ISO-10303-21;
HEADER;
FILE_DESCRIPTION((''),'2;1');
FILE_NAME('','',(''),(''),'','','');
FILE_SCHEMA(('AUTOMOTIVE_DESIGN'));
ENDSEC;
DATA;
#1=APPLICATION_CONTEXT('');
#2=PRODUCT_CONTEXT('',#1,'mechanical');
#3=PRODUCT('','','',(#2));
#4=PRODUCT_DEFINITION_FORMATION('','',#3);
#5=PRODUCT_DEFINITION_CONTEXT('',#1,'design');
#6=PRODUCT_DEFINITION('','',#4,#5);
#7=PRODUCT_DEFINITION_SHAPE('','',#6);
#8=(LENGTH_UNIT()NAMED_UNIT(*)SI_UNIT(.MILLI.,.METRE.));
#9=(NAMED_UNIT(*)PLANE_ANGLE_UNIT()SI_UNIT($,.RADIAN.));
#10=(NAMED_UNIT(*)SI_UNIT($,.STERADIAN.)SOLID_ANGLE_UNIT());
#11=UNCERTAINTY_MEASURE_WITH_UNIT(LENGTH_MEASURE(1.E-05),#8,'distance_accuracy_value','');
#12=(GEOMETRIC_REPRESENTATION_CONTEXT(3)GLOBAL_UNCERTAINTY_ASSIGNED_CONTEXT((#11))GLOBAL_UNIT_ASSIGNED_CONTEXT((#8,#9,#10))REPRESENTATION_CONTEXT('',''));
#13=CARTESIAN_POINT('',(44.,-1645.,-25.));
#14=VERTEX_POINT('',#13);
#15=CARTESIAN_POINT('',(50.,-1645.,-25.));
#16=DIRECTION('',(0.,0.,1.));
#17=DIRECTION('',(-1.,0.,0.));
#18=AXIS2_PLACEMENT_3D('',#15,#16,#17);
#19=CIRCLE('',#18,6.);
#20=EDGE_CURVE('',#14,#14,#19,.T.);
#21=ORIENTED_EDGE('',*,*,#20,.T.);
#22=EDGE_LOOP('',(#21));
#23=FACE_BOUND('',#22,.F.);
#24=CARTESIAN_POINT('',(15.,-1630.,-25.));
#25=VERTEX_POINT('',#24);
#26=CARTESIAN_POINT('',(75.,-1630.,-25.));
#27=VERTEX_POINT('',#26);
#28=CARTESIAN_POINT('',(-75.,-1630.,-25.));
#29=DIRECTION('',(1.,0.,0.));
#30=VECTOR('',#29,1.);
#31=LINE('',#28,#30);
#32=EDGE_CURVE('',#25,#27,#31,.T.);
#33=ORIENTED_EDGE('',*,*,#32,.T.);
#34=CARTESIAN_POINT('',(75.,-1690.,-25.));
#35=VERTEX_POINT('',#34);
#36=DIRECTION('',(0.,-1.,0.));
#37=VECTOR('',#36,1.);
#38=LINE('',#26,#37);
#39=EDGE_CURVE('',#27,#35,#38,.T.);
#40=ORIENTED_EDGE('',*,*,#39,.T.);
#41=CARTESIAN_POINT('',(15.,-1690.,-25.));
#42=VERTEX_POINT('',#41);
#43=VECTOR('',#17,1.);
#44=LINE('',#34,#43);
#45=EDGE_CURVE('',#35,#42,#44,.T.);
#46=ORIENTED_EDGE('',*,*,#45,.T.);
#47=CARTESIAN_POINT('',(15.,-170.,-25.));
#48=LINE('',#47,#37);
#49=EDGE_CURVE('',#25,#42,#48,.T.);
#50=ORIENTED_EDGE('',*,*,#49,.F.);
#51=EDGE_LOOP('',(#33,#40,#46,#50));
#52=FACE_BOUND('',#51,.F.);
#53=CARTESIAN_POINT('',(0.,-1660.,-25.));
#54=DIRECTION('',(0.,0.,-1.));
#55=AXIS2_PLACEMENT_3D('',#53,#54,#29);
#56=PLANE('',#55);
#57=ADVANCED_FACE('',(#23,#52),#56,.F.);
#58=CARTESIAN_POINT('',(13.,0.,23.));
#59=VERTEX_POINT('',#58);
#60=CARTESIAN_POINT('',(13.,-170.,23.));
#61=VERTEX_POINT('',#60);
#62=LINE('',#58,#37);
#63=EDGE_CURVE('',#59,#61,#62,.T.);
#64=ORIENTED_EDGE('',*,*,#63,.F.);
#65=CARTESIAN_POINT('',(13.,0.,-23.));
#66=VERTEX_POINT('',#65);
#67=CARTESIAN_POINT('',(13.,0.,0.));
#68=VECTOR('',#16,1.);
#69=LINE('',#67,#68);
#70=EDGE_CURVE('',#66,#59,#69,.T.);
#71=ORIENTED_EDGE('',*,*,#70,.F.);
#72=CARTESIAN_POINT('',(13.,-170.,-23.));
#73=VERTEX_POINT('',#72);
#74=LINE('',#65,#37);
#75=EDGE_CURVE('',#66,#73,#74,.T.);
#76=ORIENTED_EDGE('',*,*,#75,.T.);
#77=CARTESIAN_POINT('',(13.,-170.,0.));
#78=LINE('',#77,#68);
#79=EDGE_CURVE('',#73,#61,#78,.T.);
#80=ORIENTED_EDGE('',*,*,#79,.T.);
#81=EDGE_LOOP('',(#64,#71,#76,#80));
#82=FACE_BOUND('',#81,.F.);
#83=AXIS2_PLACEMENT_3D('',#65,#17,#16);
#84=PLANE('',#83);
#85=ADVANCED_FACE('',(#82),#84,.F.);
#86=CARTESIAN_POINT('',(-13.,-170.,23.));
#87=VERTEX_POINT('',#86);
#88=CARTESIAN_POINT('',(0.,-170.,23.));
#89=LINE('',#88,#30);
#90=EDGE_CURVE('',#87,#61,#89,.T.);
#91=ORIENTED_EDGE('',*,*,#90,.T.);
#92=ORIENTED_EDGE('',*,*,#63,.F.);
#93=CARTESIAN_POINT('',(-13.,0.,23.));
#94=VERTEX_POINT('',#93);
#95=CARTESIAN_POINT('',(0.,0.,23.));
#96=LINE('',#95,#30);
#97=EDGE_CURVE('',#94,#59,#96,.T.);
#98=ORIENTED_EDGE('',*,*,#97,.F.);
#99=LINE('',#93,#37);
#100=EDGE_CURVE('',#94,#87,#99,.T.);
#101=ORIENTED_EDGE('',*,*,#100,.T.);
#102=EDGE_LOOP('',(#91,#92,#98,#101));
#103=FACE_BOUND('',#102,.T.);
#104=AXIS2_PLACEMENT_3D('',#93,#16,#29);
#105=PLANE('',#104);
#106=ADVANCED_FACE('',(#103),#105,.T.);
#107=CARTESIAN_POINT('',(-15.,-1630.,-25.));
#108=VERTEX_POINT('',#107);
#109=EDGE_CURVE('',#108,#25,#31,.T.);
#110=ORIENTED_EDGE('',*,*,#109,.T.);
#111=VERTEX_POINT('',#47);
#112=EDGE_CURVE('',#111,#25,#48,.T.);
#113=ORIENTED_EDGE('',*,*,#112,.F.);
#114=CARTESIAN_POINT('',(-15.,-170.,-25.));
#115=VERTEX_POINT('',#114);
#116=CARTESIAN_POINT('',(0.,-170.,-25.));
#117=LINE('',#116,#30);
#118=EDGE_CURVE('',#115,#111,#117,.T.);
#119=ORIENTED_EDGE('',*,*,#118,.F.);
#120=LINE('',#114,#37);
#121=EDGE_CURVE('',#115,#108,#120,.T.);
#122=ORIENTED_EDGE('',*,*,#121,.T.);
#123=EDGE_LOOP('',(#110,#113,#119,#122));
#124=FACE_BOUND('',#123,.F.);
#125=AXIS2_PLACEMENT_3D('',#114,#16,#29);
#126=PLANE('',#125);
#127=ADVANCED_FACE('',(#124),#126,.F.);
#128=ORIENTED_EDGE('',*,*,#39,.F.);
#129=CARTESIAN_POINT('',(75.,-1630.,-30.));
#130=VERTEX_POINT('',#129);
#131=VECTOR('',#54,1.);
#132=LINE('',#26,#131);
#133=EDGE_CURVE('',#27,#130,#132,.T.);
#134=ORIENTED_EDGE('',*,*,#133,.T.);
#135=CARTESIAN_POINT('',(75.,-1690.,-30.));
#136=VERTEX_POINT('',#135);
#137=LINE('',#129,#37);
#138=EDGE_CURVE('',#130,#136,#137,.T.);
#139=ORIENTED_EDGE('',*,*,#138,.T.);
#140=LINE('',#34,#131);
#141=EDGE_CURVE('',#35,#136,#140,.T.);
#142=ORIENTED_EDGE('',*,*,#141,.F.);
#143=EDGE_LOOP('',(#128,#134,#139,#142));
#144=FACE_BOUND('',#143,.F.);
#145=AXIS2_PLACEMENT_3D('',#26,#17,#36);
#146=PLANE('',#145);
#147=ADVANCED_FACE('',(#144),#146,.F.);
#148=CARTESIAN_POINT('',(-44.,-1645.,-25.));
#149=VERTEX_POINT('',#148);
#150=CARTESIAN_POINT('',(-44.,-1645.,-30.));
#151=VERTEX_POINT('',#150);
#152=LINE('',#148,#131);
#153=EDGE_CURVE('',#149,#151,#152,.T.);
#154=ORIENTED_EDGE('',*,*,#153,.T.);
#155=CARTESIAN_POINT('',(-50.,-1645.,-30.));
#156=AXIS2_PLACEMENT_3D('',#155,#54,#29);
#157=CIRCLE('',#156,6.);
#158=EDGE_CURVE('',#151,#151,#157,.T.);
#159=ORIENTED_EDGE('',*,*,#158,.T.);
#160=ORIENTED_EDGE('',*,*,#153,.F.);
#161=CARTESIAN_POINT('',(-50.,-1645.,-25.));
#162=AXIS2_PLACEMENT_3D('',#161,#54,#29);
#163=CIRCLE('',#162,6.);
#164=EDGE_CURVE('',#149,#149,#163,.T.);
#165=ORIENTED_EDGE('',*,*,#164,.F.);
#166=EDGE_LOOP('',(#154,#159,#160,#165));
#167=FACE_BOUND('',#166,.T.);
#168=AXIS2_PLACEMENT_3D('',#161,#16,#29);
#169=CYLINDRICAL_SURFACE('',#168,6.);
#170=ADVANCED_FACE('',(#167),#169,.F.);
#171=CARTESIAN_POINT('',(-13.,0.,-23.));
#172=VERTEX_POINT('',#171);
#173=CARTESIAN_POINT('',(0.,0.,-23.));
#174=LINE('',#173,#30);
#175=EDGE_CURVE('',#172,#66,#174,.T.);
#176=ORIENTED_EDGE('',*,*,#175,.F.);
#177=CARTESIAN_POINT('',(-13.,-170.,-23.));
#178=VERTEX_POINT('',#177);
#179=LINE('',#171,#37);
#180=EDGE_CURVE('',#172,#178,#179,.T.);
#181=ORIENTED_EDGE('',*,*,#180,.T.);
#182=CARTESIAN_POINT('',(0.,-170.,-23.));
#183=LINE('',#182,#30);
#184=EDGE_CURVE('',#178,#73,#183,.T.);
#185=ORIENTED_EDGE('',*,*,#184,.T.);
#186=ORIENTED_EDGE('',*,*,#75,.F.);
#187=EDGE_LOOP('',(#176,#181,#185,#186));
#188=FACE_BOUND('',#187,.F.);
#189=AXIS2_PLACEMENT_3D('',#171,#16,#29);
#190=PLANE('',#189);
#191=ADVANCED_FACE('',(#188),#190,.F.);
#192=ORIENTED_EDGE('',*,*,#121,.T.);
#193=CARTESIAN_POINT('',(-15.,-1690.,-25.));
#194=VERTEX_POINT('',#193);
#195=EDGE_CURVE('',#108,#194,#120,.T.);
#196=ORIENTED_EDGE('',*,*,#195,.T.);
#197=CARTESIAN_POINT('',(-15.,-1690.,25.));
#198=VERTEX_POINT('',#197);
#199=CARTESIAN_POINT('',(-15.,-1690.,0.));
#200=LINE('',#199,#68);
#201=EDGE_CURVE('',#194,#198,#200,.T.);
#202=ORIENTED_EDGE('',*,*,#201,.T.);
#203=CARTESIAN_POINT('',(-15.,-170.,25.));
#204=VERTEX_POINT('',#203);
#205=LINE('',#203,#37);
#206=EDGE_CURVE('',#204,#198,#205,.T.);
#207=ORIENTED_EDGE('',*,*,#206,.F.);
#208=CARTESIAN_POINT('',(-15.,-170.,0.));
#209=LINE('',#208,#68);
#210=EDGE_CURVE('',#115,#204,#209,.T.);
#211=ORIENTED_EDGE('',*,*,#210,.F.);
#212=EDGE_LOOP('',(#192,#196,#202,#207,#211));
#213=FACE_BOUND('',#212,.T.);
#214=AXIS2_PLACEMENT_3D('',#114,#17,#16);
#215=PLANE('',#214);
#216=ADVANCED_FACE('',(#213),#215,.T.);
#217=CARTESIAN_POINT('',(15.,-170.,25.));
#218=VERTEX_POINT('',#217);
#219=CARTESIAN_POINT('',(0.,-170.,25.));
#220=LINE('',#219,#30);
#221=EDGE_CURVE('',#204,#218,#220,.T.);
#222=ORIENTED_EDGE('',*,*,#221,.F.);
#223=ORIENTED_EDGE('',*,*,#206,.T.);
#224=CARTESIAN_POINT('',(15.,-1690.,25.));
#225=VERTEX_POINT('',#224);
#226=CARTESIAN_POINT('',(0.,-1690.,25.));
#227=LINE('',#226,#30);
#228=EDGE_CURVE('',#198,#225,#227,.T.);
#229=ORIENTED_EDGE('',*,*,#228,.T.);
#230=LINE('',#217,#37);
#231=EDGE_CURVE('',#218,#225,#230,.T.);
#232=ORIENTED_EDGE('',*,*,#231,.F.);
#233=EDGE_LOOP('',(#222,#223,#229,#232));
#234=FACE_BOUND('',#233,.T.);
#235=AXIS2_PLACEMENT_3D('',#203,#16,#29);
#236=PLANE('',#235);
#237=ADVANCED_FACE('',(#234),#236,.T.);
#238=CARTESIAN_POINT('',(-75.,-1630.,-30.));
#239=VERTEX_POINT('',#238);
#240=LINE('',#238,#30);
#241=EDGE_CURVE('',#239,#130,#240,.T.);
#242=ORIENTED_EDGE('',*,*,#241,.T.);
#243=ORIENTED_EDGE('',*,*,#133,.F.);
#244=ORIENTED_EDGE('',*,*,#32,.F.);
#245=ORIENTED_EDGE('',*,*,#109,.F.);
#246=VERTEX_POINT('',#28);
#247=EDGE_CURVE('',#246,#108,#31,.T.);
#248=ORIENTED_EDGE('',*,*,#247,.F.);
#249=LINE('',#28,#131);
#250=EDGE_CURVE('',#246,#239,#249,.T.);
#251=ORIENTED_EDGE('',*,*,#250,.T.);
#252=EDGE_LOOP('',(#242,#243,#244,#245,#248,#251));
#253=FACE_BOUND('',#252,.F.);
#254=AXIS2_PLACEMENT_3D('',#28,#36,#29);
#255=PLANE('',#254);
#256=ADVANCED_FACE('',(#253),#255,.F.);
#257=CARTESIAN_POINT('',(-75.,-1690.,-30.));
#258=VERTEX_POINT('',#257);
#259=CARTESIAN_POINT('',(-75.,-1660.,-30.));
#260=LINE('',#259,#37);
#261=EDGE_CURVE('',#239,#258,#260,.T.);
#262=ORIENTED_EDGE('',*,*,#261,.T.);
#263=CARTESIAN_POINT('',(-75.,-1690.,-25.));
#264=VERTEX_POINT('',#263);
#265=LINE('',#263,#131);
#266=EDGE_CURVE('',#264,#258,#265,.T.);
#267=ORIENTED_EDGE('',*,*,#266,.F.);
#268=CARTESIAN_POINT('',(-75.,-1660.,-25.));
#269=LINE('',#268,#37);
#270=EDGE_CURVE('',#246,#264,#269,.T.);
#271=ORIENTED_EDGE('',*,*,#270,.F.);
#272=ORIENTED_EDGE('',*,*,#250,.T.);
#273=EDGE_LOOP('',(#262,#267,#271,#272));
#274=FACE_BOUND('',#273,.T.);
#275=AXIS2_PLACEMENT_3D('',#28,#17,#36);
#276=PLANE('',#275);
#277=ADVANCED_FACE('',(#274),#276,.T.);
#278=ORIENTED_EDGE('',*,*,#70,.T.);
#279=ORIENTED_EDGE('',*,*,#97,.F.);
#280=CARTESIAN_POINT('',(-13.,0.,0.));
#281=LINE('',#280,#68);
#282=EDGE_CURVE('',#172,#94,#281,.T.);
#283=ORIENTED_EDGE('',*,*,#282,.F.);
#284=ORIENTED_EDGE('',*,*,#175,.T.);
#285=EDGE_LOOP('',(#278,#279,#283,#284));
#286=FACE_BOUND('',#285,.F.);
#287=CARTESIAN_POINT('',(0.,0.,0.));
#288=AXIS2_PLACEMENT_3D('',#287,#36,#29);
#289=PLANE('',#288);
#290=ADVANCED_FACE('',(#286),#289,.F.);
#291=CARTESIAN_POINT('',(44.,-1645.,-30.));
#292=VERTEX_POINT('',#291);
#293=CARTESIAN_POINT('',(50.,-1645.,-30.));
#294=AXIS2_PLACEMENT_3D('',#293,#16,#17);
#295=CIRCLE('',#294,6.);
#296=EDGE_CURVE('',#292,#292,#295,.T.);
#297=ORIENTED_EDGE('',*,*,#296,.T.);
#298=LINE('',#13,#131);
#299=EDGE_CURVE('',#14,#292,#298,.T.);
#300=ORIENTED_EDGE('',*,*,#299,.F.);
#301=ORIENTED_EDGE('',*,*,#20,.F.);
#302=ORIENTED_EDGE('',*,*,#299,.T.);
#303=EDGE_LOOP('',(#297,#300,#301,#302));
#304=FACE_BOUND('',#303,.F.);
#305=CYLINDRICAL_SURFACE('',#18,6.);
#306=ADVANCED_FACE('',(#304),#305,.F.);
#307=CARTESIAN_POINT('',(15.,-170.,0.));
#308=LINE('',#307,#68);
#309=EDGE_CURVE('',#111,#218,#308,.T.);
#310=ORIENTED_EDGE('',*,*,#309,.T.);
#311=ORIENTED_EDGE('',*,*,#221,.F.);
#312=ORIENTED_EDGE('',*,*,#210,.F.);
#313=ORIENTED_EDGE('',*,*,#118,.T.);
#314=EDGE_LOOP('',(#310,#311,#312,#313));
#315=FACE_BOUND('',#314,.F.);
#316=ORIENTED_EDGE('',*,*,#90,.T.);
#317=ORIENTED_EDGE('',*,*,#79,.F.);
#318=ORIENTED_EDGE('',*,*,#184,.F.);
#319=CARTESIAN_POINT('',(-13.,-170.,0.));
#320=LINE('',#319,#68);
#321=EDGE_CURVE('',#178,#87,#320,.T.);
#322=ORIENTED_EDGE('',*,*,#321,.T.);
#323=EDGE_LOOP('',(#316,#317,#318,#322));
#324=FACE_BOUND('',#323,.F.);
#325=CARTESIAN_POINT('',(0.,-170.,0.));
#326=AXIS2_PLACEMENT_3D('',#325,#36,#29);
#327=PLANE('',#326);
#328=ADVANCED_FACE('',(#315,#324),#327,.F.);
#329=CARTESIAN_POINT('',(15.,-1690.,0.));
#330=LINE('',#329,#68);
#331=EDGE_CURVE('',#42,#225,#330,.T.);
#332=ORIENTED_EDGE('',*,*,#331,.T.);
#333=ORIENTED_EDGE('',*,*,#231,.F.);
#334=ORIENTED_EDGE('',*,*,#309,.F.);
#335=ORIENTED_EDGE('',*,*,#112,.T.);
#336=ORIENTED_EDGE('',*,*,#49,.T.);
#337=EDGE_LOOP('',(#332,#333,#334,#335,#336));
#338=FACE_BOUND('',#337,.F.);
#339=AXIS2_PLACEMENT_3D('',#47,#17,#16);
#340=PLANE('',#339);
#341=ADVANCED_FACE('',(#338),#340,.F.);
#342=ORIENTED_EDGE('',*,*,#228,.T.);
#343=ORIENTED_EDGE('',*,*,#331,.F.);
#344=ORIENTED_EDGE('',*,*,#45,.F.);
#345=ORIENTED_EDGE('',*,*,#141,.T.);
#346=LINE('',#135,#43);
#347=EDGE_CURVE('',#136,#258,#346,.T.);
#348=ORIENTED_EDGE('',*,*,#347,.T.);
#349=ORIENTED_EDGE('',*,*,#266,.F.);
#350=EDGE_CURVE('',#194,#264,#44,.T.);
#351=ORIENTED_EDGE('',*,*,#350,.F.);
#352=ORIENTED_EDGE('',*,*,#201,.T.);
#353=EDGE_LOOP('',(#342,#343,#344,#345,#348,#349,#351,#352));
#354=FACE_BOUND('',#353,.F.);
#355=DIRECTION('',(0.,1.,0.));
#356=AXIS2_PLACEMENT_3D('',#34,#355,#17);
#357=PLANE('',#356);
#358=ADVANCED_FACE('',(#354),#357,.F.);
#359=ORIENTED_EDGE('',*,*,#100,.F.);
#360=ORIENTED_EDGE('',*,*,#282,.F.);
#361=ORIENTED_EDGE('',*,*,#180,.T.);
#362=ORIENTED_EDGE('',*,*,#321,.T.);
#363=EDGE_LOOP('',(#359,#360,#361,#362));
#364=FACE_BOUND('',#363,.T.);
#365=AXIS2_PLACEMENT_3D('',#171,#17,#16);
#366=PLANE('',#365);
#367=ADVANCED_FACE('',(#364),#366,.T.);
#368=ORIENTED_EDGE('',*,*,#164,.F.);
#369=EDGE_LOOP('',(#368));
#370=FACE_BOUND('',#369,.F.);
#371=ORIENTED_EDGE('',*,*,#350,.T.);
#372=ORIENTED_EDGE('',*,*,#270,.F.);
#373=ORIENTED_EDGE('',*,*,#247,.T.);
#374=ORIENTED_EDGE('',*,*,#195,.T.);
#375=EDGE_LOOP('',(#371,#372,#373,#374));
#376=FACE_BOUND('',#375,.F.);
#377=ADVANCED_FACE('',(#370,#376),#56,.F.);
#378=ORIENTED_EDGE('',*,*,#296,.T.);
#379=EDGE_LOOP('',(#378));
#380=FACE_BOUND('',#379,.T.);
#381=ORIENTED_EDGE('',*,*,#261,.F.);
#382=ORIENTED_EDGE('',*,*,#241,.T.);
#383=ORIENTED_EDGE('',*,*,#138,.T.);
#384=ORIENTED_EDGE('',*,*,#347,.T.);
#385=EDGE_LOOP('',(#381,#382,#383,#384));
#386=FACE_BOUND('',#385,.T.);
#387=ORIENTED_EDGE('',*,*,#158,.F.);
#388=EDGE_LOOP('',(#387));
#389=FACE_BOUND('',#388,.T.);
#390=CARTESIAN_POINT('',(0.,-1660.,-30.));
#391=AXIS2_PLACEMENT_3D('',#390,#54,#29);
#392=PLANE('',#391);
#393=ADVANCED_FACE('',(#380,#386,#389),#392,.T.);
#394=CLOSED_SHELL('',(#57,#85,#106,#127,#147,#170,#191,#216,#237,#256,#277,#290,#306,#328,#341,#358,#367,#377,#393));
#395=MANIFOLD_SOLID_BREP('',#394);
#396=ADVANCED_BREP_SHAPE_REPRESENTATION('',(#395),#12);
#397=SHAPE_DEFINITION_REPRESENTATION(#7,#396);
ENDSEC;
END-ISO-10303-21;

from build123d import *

# Parameters (mm, degrees)
F0_W     = 26
F0_H     = 46
F1_DEPTH = 170
F2_W     = 30
F2_H     = 50
F3_DEPTH = 1520
F4_W     = 60
F4_H     = 60
F4_R     = 6
F5_DEPTH = 5


with BuildPart() as f1:
    # F0 (on Front) → F1 (new body)
    with BuildSketch(Plane.XZ):
        Rectangle(F0_W, F0_H)
    extrude(amount=F1_DEPTH)

    # F2 (on face) → F3 (join)
    with BuildSketch(Plane.XZ.offset(170)):
        Rectangle(F2_W, F2_H)
    extrude(amount=F3_DEPTH)

    # F4 (on face) → F5 (join)
    with BuildSketch(Plane(origin=(0, 0, -25), x_dir=(1, 0, 0), z_dir=(0, 0, -1))):
        Polygon((15, 1690), (-15, 1690), (-15, 1630), (15, 1630), (15, 1645), align=None)
        with Locations((-45, 1660)):
            Rectangle(F4_W, F4_H)
        with Locations((-50, 1645)):
            Circle(F4_R, mode=Mode.SUBTRACT)
        with BuildLine():
            ThreePointArc((56, 1645), (50, 1651), (44, 1645))
            ThreePointArc((44, 1645), (50, 1639), (56, 1645))
        make_face()
        Polygon((75, 1690), (15, 1690), (15, 1645), (15, 1630), (75, 1630), align=None)
        with BuildLine():
            ThreePointArc((56, 1645), (50, 1639), (44, 1645))
            ThreePointArc((44, 1645), (50, 1651), (56, 1645))
        make_face(mode=Mode.SUBTRACT)
    extrude(amount=F5_DEPTH)


solid = f1.part
